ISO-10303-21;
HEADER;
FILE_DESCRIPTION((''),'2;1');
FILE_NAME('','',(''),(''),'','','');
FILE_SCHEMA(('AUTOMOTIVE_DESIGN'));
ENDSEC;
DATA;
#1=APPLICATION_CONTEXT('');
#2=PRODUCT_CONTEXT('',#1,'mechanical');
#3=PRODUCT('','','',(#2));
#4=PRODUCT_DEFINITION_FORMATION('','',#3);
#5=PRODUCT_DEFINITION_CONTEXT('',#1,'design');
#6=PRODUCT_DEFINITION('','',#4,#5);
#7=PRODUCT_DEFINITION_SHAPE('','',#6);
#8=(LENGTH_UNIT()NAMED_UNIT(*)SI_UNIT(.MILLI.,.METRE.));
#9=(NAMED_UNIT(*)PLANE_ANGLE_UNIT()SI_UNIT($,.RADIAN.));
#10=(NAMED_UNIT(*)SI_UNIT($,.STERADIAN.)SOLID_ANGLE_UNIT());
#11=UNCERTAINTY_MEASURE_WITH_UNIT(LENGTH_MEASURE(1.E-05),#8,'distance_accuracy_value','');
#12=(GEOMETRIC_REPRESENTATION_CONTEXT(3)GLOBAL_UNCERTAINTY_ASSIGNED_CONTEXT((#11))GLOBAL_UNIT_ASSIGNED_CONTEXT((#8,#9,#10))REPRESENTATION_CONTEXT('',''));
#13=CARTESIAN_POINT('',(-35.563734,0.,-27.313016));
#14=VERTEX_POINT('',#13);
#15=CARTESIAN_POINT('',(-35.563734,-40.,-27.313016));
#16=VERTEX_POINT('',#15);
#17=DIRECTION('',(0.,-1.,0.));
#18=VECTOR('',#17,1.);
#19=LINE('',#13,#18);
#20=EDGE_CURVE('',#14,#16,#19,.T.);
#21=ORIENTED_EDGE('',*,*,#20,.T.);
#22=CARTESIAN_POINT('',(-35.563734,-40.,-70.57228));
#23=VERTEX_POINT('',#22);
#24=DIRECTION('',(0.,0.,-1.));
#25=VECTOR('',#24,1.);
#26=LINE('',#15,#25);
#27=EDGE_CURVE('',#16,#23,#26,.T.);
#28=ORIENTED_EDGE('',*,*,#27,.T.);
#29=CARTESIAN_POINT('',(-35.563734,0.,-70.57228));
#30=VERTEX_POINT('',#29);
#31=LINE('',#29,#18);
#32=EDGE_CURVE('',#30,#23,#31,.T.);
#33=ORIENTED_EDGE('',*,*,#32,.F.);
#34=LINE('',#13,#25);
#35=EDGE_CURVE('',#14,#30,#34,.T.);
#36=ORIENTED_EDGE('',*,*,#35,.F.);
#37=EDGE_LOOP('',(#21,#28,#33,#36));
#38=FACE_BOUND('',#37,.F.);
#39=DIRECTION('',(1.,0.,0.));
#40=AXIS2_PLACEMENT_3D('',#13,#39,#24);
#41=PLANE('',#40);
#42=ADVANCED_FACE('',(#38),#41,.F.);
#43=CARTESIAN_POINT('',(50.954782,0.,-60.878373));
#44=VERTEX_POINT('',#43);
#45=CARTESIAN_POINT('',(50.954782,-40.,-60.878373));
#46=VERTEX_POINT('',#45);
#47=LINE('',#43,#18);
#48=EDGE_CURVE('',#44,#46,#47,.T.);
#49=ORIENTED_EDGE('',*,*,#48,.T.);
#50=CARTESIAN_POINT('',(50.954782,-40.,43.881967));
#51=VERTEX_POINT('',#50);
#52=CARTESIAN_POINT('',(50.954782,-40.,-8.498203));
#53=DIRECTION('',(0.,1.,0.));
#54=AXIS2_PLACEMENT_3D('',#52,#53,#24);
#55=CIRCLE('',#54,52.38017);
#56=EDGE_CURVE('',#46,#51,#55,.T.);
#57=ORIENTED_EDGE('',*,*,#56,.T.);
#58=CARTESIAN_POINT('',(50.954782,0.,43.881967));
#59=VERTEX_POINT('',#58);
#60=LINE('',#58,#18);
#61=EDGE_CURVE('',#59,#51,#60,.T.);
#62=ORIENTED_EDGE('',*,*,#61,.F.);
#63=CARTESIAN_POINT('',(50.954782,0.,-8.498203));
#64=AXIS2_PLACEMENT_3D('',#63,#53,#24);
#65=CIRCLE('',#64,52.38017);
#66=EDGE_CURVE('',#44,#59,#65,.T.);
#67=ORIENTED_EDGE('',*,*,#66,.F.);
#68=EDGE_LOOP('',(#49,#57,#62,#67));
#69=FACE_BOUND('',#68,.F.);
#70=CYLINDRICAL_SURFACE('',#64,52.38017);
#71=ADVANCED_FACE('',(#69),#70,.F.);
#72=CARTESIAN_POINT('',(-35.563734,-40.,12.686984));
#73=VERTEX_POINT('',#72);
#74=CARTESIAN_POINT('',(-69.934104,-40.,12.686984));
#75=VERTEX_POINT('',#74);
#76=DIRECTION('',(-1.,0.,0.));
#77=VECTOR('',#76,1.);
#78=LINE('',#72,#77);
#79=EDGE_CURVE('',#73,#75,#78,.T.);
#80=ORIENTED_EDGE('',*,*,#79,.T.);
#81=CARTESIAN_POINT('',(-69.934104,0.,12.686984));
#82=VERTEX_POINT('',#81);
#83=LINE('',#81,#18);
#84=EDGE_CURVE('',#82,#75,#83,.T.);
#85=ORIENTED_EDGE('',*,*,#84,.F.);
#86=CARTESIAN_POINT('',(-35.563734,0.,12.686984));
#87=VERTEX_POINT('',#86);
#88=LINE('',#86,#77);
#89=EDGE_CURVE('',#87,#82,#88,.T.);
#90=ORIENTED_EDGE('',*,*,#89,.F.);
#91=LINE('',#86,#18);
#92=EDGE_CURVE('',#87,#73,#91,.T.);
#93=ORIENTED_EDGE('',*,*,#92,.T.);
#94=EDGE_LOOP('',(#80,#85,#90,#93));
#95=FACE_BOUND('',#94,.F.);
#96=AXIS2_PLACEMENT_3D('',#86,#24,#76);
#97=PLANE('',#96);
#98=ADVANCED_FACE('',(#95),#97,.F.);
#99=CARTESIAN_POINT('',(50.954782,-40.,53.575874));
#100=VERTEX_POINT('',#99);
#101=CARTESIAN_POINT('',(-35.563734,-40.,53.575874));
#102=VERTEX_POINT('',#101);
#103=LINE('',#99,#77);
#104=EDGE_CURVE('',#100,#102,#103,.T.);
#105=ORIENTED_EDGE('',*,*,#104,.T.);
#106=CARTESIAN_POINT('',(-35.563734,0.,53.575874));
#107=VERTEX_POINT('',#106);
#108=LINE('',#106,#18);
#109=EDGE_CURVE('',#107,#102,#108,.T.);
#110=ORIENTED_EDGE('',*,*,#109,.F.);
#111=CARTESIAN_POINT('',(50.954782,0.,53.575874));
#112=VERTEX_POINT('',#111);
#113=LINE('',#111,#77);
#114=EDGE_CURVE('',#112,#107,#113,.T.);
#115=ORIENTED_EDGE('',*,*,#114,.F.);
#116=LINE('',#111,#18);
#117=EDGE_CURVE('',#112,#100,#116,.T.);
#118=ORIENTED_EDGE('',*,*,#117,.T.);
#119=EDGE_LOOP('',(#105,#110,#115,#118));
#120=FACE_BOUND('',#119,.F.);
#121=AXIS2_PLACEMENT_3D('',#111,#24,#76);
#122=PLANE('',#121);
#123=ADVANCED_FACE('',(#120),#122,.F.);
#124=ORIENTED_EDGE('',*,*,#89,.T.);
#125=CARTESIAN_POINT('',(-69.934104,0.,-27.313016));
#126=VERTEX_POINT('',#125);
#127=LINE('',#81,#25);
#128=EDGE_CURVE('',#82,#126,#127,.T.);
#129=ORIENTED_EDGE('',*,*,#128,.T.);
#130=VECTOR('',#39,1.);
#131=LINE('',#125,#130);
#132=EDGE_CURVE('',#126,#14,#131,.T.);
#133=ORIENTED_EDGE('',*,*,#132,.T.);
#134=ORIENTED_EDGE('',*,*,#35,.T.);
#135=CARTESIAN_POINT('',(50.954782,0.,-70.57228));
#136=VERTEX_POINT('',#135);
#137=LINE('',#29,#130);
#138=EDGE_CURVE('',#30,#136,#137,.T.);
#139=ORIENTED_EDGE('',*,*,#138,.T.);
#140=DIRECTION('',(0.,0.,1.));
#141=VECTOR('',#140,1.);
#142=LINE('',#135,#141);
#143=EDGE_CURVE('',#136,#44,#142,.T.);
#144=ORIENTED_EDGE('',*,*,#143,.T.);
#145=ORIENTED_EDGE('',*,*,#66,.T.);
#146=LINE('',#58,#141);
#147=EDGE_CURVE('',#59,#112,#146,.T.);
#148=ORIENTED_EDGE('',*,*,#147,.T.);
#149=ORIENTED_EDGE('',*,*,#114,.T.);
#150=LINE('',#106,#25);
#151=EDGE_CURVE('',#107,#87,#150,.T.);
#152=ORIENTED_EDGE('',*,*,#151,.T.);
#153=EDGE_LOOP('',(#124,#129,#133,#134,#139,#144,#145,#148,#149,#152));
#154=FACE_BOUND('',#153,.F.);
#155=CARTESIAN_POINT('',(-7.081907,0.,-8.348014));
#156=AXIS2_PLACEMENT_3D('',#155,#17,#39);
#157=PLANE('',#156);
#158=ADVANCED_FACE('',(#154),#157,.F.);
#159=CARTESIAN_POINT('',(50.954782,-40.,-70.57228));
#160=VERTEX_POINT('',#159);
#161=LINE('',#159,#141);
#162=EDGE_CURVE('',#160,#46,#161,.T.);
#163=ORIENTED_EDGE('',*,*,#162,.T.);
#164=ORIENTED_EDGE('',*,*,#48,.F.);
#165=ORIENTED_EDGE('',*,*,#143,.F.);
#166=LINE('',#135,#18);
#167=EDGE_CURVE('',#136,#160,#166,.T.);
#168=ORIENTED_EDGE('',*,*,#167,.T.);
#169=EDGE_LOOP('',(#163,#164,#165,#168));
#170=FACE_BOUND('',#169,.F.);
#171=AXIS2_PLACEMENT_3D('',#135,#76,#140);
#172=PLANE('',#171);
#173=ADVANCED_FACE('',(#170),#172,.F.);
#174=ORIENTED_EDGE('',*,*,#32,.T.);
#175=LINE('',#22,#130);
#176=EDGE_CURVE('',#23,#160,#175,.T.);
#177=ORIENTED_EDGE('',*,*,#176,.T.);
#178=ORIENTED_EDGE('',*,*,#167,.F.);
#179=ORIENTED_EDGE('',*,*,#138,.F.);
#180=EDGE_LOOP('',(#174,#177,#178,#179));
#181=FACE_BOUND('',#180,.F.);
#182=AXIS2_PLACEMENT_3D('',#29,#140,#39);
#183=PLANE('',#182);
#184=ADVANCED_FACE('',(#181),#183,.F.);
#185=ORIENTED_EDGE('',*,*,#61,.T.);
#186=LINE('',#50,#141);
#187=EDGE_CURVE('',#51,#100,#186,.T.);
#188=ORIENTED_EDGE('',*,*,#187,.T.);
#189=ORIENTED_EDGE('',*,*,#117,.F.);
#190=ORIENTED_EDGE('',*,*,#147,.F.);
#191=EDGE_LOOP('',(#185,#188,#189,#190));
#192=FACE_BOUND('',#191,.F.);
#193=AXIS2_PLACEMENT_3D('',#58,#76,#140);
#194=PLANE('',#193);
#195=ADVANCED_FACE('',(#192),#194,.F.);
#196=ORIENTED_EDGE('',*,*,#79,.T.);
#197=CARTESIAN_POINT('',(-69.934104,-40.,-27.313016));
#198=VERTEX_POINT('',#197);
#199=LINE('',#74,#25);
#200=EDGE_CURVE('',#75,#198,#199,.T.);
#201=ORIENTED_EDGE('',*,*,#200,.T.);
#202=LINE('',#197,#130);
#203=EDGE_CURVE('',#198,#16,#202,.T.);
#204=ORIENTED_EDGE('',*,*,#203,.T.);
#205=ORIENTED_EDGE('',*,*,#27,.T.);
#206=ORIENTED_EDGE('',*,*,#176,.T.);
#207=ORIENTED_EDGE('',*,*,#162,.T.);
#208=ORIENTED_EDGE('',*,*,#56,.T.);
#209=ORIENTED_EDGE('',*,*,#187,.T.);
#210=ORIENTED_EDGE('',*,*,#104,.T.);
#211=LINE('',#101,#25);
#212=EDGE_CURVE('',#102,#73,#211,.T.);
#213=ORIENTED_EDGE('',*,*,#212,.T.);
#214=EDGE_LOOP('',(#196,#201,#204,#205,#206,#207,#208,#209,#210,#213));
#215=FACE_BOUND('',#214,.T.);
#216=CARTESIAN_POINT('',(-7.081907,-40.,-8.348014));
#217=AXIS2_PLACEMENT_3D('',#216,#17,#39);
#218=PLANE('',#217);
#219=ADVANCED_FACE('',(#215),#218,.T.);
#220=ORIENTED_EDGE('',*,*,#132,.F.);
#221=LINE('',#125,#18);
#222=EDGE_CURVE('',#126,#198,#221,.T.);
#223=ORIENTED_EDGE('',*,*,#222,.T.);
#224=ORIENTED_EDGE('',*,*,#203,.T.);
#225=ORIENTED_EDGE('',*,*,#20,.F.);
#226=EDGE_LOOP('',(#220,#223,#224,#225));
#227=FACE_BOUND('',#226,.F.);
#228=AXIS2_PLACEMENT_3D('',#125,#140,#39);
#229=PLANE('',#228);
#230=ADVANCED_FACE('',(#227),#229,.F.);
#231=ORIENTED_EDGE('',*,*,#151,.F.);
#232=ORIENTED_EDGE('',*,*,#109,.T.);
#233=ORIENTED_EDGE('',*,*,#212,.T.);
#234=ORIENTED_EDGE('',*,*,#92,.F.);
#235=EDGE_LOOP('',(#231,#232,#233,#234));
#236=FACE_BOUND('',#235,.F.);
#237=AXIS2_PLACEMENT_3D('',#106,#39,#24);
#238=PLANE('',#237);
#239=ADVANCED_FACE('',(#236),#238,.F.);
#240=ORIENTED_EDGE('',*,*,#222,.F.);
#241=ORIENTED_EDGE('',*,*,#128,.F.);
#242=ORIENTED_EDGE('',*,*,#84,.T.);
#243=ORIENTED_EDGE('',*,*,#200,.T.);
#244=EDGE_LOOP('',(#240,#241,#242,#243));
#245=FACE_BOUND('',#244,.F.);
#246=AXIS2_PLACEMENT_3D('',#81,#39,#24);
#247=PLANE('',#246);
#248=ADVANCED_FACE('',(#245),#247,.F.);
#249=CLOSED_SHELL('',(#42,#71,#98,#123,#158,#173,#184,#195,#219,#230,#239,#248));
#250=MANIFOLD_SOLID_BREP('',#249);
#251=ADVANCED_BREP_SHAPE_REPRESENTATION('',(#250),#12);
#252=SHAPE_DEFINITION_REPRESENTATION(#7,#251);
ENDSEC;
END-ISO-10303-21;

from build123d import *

# Parameters (mm, degrees)
F1_DEPTH = 40


with BuildPart() as f1:
    # F0 (on Front) → F1 (new body)
    with BuildSketch(Plane.XZ):
        with BuildLine():
            Line((50.954782, 53.575874), (-35.563734, 53.575874))
            Line((-35.563734, 53.575874), (-35.563734, 12.686984))
            Line((-35.563734, 12.686984), (-69.934104, 12.686984))
            Line((-69.934104, 12.686984), (-69.934104, -8.498203))
            Line((-69.934104, -8.498203), (-69.934104, -27.313016))
            Line((-69.934104, -27.313016), (-35.563734, -27.313016))
            Line((-35.563734, -27.313016), (-35.563734, -32.942646))
            Line((-35.563734, -32.942646), (-35.563734, -70.57228))
            Line((-35.563734, -70.57228), (50.954782, -70.57228))
            Line((50.954782, -70.57228), (50.954782, -60.878373))
            ThreePointArc((50.954782, -60.878373), (-1.425388, -8.498203), (50.954782, 43.881967))
            Line((50.954782, 43.881967), (50.954782, 53.575874))
        make_face()
    extrude(amount=F1_DEPTH)


solid = f1.part
